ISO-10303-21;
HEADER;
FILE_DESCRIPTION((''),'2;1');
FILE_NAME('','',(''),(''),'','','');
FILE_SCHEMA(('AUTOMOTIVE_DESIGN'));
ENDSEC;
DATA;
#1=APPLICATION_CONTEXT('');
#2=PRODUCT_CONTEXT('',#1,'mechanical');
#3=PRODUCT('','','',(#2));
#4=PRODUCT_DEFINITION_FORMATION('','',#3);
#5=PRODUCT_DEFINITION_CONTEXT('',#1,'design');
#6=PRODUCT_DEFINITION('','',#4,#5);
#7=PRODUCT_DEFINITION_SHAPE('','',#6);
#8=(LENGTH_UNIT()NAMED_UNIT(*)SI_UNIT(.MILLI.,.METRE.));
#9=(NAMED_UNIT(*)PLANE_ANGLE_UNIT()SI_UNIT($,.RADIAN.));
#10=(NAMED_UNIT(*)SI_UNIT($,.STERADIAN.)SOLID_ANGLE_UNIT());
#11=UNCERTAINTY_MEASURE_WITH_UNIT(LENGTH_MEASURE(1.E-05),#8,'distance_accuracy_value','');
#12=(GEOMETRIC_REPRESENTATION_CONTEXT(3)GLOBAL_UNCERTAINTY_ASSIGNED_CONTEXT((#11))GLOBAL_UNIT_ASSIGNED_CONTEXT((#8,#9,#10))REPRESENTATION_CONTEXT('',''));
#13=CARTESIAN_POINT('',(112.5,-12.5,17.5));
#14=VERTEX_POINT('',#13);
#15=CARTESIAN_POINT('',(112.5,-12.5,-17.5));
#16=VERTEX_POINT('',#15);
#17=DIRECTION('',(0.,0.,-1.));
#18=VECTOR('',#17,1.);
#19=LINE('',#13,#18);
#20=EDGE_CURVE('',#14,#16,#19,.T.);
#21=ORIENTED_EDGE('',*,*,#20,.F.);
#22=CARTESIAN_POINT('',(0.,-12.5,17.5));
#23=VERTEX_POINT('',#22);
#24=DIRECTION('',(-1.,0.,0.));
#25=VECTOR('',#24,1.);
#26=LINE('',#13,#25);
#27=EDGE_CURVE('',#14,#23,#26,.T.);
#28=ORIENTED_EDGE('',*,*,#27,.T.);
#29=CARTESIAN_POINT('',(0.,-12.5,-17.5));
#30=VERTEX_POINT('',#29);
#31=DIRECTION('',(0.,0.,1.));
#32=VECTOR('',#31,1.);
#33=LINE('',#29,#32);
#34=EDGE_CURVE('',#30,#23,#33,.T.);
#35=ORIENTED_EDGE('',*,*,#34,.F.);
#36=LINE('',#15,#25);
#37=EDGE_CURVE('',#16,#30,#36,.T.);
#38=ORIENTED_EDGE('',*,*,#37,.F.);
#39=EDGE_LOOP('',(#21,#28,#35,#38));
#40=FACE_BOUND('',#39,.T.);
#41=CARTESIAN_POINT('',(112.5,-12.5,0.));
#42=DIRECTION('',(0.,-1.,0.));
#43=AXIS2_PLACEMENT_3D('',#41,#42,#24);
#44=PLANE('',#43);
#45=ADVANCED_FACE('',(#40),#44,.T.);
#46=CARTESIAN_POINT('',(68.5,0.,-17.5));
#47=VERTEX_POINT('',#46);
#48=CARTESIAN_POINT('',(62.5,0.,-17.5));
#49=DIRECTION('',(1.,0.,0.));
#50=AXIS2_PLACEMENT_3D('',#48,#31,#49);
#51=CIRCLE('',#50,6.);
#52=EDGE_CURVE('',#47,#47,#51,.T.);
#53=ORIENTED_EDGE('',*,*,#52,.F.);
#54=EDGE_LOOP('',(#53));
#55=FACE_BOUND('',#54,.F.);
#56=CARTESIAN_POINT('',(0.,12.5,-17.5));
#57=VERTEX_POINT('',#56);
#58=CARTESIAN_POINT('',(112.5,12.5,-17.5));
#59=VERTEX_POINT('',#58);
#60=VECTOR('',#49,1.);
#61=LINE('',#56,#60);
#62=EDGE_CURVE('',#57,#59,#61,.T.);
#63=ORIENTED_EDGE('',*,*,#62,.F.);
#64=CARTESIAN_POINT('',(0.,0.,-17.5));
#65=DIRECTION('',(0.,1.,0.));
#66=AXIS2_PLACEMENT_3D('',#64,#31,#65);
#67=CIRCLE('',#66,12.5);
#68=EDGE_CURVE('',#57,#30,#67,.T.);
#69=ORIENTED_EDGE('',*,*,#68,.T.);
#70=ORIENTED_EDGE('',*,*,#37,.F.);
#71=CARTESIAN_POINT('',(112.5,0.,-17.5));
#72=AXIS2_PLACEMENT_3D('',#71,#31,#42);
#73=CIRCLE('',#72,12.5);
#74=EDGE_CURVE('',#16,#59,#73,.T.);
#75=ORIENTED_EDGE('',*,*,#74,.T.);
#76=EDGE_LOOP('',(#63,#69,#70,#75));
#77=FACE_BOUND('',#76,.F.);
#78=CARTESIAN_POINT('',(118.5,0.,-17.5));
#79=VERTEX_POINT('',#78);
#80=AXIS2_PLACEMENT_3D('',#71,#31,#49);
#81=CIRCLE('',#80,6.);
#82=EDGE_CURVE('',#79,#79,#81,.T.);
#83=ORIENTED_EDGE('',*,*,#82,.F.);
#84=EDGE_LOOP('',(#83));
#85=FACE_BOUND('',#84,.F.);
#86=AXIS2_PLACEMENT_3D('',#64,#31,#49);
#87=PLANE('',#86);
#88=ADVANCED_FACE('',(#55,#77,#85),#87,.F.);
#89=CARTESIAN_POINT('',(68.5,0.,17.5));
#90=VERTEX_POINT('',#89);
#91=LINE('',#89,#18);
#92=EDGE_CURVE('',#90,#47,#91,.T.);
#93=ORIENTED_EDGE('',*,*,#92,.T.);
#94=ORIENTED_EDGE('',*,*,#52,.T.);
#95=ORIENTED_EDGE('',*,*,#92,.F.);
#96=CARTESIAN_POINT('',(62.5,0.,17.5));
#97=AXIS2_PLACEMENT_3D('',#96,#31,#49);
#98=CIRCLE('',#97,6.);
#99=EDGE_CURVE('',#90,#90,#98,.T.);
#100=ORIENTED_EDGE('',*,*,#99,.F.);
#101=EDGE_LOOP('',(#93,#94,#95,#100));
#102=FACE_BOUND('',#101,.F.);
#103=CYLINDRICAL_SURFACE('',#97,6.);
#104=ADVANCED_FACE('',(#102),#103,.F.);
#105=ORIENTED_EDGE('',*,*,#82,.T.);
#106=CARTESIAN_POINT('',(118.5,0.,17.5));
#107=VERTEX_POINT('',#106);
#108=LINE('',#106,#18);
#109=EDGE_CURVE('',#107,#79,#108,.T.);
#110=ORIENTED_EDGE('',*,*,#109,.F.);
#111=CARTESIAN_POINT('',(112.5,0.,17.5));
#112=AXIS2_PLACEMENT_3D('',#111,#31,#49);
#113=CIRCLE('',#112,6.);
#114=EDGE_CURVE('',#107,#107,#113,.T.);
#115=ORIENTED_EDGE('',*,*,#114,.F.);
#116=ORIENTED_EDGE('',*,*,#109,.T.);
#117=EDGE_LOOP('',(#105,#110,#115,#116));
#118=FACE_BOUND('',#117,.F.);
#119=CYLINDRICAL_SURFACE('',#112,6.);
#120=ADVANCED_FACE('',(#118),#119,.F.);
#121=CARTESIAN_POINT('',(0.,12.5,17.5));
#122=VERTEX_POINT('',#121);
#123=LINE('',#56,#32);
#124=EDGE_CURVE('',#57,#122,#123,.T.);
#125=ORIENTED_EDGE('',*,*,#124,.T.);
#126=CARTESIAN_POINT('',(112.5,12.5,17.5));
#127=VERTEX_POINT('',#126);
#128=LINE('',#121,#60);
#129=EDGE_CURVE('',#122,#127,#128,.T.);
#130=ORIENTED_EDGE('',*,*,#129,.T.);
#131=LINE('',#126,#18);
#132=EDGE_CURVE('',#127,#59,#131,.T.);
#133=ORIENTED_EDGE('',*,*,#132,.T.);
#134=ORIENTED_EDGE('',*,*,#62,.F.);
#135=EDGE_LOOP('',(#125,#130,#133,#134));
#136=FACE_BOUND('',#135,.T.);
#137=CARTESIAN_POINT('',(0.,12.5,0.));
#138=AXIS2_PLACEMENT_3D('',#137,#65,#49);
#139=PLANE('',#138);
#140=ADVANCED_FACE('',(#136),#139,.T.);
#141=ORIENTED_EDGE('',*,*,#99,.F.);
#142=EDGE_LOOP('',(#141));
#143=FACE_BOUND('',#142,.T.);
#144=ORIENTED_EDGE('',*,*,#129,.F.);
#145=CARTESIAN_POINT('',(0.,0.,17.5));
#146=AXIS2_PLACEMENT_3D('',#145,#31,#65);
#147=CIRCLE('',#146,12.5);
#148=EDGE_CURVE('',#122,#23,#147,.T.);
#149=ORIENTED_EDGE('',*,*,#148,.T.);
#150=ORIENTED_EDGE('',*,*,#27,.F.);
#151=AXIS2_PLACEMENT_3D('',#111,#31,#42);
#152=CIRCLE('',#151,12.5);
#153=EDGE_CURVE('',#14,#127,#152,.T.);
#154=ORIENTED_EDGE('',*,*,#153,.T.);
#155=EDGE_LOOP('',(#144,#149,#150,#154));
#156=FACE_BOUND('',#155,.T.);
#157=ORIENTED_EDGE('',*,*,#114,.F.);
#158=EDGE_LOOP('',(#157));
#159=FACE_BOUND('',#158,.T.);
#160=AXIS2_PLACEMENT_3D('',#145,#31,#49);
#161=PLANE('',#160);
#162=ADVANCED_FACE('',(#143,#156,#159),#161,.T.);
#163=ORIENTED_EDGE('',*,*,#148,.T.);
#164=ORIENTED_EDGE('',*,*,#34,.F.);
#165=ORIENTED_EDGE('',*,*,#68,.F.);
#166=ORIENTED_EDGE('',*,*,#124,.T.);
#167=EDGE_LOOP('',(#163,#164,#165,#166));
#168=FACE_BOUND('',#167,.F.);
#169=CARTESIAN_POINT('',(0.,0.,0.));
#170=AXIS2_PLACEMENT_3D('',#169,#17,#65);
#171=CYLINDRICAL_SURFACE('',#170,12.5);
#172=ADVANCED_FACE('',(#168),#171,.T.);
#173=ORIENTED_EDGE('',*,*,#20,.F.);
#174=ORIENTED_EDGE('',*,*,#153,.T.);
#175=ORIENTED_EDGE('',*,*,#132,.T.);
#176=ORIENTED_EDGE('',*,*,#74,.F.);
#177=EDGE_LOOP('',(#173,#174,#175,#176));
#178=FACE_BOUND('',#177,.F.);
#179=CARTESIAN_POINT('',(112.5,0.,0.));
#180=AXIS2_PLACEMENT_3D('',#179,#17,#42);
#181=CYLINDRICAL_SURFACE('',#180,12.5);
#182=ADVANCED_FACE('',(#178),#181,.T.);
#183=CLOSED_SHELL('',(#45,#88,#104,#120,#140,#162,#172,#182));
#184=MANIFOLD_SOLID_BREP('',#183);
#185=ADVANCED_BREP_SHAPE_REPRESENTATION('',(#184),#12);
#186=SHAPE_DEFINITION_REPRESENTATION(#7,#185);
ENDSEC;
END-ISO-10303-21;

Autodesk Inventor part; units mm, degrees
ref_plane "YZ Plane" through (0, 0, 0) normal (1, 0, 0) x (0, 1, 0)
ref_plane "XZ Plane" through (0, 0, 0) normal (0, 1, 0) x (-1, 0, 0)
ref_plane "XY Plane" through (0, 0, 0) normal (0, 0, 1) x (1, 0, 0)
sketch "Sketch1" plane through (0, 0, 0) normal (0, 0, 1) x (1, 0, 0)
  line L0 (0, 12.5) -> (112.5, 12.5)
  arc A0 (112.5, -12.5) -> (112.5, 12.5) centre (112.5, 0) ccw
  line L1 (112.5, -12.5) -> (0, -12.5)
  arc A1 (0, 12.5) -> (0, -12.5) centre (0, 0) ccw
  dimension "d0" = 25
  dimension "d2" = 112.5
extrude "Extrusion1" add sketch "Sketch1" along normal mid plane 35
sketch "Sketch2" plane through (0, 0, 17.5) normal (0, 0, 1) x (1, 0, 0)
  arc A0 (112.5, -12.5) -> (112.5, 12.5) centre (112.5, 0) ccw projected
  circle A1 centre (112.5, 0) radius 6
  circle A2 centre (62.5, 0) radius 6
  dimension "d5" = 12
  dimension "d7" = 50
extrude "Extrusion2" cut sketch "Sketch2" against normal through all
properties part number "ARM"
